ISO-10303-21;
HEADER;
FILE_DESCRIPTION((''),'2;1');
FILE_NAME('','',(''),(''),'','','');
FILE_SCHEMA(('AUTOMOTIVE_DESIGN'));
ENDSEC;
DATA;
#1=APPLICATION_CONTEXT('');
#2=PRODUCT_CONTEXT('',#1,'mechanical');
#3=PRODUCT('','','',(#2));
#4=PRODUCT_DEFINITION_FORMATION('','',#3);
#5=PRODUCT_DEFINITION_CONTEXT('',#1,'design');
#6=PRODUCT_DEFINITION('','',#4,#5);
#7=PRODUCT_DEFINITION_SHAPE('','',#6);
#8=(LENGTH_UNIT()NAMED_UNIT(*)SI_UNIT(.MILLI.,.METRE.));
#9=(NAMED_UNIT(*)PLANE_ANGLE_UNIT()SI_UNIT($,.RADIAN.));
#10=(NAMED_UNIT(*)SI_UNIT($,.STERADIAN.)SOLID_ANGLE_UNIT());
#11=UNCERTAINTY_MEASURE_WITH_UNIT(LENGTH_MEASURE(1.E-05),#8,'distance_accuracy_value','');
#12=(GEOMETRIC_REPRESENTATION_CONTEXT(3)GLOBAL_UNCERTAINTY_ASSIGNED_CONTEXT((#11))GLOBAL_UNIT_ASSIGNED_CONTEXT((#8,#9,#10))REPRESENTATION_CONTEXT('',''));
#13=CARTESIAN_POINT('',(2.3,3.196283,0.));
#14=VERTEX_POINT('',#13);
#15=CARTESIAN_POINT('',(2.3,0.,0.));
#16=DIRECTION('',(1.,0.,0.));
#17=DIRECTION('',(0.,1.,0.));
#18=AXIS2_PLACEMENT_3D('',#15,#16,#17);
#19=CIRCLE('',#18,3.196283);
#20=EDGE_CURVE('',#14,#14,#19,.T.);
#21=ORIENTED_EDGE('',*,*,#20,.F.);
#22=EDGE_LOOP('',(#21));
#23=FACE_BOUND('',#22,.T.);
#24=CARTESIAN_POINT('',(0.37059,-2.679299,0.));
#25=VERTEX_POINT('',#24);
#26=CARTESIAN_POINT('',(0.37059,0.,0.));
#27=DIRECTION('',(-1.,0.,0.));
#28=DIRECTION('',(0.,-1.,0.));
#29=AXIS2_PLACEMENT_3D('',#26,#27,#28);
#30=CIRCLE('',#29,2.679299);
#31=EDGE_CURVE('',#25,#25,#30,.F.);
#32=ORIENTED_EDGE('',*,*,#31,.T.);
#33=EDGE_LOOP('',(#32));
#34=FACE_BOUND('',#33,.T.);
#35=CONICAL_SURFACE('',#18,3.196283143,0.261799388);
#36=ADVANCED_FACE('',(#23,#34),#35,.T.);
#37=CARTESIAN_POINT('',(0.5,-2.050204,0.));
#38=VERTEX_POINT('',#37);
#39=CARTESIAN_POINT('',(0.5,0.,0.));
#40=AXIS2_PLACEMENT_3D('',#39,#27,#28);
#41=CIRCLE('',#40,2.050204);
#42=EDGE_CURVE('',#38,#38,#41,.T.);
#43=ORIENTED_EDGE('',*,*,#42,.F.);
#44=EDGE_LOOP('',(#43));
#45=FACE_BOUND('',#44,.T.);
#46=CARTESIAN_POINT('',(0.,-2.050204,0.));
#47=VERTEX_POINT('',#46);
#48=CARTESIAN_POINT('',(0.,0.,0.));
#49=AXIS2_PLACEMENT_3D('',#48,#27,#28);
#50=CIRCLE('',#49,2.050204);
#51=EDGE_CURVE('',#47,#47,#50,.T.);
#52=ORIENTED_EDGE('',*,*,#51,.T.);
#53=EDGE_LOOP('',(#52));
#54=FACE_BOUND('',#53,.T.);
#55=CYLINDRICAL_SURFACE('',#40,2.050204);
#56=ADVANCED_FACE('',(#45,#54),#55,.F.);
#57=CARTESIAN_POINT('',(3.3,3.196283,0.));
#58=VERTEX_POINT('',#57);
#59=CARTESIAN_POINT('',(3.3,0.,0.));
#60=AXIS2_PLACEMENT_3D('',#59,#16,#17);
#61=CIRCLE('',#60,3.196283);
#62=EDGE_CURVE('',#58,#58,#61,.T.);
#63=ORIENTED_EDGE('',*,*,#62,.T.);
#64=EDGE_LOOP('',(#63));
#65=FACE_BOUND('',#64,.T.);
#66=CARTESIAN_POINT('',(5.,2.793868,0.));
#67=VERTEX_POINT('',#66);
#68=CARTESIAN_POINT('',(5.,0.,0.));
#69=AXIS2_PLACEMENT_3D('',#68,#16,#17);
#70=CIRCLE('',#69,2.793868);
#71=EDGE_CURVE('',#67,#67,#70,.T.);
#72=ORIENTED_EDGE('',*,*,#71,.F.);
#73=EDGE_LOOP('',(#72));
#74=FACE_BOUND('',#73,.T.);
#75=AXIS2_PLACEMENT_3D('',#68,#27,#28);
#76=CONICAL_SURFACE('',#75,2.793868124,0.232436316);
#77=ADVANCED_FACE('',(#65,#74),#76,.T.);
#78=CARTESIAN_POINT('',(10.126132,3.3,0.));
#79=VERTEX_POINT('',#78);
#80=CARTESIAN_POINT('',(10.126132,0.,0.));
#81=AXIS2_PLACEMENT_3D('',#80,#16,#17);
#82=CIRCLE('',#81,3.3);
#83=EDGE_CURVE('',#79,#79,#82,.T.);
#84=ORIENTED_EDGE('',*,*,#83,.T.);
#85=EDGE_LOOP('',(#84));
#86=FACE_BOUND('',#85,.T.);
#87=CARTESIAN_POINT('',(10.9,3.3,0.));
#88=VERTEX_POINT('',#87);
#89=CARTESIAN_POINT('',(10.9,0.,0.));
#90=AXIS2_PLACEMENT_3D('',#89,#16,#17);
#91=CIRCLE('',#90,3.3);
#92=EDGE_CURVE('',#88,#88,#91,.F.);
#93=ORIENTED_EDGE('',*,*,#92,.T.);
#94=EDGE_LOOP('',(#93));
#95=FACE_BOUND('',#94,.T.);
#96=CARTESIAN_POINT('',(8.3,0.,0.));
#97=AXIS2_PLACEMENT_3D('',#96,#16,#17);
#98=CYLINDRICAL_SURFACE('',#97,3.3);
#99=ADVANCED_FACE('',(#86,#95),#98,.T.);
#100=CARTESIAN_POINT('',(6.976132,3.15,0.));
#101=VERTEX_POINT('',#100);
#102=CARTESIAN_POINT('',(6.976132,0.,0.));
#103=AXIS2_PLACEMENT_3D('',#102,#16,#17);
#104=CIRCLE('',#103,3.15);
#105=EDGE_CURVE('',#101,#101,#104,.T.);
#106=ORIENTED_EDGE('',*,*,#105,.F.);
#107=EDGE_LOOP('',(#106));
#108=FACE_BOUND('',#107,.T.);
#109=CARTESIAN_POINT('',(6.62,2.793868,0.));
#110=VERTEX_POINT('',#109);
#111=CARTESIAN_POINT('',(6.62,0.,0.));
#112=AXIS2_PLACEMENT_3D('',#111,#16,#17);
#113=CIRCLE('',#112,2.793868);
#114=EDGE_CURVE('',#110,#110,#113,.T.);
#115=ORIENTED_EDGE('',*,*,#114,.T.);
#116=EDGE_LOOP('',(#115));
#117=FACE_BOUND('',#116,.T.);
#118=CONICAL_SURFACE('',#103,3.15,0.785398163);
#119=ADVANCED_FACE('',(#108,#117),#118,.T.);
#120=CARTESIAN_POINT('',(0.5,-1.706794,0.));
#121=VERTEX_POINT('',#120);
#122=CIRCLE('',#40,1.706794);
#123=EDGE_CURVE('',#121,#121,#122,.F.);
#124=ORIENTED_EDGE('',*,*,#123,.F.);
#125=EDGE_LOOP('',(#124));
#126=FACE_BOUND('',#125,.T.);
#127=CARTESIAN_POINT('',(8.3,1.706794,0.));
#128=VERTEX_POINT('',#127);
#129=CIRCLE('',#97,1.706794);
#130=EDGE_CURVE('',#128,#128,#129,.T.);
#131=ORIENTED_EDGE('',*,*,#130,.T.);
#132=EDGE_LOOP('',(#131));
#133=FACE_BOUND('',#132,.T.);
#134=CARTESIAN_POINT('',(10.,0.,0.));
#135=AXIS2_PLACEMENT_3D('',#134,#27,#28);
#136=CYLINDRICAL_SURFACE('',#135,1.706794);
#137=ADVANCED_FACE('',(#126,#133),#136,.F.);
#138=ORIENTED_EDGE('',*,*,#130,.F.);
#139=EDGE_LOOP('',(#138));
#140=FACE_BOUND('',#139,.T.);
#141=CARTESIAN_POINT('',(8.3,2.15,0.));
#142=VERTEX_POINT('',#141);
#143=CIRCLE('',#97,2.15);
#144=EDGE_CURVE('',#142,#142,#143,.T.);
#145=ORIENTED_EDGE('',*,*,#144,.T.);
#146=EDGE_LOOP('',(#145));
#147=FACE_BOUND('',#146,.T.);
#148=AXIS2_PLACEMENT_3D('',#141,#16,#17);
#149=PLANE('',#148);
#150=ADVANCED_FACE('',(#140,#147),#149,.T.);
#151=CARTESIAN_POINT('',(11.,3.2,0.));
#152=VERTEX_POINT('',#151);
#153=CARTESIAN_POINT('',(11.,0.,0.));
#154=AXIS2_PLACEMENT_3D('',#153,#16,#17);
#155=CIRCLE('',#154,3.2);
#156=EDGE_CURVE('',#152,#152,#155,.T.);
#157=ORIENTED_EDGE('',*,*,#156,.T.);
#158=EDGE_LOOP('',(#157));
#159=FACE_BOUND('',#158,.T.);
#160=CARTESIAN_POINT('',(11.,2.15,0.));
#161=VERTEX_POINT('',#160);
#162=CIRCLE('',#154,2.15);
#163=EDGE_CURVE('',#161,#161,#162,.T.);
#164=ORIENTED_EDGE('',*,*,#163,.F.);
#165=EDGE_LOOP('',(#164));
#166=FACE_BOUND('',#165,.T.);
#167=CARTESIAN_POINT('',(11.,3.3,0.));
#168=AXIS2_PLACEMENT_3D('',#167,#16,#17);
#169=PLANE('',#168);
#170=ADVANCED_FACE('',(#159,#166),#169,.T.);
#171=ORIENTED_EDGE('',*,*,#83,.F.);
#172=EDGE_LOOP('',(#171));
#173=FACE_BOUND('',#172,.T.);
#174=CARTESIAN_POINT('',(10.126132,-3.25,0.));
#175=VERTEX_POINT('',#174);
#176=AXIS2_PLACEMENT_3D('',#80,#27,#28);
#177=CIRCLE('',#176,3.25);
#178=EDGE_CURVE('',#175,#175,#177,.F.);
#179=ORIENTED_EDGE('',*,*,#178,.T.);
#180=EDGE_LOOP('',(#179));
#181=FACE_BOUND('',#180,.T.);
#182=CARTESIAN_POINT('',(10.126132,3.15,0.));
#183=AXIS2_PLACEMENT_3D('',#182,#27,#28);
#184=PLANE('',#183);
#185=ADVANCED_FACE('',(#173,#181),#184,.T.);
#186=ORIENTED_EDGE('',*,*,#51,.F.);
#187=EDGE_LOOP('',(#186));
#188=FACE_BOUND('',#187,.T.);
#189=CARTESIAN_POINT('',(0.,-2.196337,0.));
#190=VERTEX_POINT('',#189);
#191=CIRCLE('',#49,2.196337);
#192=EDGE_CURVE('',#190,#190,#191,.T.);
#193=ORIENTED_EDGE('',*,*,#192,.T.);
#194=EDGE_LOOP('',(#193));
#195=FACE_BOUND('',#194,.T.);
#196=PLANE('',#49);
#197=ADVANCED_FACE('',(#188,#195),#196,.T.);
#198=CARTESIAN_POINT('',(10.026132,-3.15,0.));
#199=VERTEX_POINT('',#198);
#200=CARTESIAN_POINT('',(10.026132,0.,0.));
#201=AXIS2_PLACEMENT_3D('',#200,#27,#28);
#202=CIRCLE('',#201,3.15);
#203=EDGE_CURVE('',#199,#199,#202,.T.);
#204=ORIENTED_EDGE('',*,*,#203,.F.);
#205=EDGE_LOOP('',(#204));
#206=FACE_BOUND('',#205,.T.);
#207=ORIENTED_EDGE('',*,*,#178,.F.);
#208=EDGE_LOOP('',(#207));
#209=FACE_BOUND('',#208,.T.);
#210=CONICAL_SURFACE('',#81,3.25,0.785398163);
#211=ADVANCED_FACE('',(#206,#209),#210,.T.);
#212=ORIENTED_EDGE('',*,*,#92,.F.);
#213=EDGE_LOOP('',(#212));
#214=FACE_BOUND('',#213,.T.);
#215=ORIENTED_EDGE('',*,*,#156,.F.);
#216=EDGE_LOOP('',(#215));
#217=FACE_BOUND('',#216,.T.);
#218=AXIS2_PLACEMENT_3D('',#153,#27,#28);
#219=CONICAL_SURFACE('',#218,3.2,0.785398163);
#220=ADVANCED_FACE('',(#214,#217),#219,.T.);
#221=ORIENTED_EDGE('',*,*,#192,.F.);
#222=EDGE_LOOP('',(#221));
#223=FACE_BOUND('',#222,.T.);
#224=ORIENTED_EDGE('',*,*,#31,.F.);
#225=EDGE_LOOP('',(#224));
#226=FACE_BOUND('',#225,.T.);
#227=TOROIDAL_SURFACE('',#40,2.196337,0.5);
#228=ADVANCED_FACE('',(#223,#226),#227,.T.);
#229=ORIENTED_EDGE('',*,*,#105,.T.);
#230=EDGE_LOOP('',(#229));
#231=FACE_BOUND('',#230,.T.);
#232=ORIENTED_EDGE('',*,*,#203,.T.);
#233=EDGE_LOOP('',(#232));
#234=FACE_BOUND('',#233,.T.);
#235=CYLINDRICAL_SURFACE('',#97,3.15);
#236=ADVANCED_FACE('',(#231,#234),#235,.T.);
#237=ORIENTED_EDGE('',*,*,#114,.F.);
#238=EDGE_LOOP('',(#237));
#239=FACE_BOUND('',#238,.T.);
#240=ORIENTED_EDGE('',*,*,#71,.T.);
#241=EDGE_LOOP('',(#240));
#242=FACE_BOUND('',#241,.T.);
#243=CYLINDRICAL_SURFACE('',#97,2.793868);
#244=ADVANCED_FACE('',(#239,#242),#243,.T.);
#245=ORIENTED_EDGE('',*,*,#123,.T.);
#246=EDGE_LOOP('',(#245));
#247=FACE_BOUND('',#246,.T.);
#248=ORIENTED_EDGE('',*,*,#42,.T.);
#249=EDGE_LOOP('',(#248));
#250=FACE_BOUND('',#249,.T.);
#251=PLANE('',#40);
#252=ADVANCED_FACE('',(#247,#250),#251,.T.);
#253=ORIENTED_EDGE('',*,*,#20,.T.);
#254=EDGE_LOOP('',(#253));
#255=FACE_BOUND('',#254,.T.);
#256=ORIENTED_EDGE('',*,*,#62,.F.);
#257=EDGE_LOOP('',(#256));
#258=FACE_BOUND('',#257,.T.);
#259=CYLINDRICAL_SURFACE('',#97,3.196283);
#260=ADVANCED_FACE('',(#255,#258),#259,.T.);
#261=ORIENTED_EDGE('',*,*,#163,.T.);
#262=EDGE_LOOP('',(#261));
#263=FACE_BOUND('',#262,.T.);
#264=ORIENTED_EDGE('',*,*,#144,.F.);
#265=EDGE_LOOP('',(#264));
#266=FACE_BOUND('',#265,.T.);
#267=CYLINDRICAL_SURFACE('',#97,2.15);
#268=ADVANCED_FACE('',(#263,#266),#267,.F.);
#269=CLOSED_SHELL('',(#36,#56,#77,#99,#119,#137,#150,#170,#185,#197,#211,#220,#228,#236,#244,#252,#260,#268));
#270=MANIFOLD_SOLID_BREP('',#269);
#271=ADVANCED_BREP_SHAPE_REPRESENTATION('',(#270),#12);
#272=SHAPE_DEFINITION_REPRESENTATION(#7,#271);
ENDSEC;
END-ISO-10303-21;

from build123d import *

# Parameters (mm, degrees)
SKETCH3_R          = 1.706794341
CUT_EXTRUDE1_DEPTH = 10
SKETCH4_R          = 2.050203782
CUT_EXTRUDE2_DEPTH = 0.5
FILLET1_R          = 0.5
CHAMFER1_SIZE      = 0.1


with BuildPart() as part:
    # Sketch1 → Revolve1 (revolve)
    with BuildSketch(Plane.XY):
        Polygon((0, 0), (0, 2.58), (2.3, 3.196283143), (3.3, 3.196283143), (5, 2.793868124), (6.62, 2.793868124), (6.976131876, 3.15), (10.126131876, 3.15), (10.126131876, 3.3), (11, 3.3), (11, 2.15), (8.3, 2.15), (8.3, 0), align=None)
    revolve(axis=Axis((8.3, 0, 0), (-1, 0, 0)))

    # Sketch3 → Cut-Extrude1 (cut)
    with BuildSketch(Plane.ZY):
        with Locations(Location((0, 0, 0), (0, 0, 270))):
            Circle(SKETCH3_R)
    extrude(amount=-CUT_EXTRUDE1_DEPTH, mode=Mode.SUBTRACT)

    # Sketch4 → Cut-Extrude2 (cut)
    with BuildSketch(Plane.ZY):
        with Locations(Location((0, 0, 0), (0, 0, 270))):
            Circle(SKETCH4_R)
    extrude(amount=-CUT_EXTRUDE2_DEPTH, mode=Mode.SUBTRACT)

    # Fillet1
    fillet1_edges = [part.edges().sort_by_distance(p)[0] for p in [
        (0, -2.58, 0),
    ]]
    fillet(fillet1_edges, radius=FILLET1_R)

    # Chamfer1
    chamfer1_edges = [part.edges().sort_by_distance(p)[0] for p in [
        (11, -3.3, 0),
        (10.126131876, -3.15, 0),
    ]]
    chamfer(chamfer1_edges, length=CHAMFER1_SIZE)


solid = part.part
